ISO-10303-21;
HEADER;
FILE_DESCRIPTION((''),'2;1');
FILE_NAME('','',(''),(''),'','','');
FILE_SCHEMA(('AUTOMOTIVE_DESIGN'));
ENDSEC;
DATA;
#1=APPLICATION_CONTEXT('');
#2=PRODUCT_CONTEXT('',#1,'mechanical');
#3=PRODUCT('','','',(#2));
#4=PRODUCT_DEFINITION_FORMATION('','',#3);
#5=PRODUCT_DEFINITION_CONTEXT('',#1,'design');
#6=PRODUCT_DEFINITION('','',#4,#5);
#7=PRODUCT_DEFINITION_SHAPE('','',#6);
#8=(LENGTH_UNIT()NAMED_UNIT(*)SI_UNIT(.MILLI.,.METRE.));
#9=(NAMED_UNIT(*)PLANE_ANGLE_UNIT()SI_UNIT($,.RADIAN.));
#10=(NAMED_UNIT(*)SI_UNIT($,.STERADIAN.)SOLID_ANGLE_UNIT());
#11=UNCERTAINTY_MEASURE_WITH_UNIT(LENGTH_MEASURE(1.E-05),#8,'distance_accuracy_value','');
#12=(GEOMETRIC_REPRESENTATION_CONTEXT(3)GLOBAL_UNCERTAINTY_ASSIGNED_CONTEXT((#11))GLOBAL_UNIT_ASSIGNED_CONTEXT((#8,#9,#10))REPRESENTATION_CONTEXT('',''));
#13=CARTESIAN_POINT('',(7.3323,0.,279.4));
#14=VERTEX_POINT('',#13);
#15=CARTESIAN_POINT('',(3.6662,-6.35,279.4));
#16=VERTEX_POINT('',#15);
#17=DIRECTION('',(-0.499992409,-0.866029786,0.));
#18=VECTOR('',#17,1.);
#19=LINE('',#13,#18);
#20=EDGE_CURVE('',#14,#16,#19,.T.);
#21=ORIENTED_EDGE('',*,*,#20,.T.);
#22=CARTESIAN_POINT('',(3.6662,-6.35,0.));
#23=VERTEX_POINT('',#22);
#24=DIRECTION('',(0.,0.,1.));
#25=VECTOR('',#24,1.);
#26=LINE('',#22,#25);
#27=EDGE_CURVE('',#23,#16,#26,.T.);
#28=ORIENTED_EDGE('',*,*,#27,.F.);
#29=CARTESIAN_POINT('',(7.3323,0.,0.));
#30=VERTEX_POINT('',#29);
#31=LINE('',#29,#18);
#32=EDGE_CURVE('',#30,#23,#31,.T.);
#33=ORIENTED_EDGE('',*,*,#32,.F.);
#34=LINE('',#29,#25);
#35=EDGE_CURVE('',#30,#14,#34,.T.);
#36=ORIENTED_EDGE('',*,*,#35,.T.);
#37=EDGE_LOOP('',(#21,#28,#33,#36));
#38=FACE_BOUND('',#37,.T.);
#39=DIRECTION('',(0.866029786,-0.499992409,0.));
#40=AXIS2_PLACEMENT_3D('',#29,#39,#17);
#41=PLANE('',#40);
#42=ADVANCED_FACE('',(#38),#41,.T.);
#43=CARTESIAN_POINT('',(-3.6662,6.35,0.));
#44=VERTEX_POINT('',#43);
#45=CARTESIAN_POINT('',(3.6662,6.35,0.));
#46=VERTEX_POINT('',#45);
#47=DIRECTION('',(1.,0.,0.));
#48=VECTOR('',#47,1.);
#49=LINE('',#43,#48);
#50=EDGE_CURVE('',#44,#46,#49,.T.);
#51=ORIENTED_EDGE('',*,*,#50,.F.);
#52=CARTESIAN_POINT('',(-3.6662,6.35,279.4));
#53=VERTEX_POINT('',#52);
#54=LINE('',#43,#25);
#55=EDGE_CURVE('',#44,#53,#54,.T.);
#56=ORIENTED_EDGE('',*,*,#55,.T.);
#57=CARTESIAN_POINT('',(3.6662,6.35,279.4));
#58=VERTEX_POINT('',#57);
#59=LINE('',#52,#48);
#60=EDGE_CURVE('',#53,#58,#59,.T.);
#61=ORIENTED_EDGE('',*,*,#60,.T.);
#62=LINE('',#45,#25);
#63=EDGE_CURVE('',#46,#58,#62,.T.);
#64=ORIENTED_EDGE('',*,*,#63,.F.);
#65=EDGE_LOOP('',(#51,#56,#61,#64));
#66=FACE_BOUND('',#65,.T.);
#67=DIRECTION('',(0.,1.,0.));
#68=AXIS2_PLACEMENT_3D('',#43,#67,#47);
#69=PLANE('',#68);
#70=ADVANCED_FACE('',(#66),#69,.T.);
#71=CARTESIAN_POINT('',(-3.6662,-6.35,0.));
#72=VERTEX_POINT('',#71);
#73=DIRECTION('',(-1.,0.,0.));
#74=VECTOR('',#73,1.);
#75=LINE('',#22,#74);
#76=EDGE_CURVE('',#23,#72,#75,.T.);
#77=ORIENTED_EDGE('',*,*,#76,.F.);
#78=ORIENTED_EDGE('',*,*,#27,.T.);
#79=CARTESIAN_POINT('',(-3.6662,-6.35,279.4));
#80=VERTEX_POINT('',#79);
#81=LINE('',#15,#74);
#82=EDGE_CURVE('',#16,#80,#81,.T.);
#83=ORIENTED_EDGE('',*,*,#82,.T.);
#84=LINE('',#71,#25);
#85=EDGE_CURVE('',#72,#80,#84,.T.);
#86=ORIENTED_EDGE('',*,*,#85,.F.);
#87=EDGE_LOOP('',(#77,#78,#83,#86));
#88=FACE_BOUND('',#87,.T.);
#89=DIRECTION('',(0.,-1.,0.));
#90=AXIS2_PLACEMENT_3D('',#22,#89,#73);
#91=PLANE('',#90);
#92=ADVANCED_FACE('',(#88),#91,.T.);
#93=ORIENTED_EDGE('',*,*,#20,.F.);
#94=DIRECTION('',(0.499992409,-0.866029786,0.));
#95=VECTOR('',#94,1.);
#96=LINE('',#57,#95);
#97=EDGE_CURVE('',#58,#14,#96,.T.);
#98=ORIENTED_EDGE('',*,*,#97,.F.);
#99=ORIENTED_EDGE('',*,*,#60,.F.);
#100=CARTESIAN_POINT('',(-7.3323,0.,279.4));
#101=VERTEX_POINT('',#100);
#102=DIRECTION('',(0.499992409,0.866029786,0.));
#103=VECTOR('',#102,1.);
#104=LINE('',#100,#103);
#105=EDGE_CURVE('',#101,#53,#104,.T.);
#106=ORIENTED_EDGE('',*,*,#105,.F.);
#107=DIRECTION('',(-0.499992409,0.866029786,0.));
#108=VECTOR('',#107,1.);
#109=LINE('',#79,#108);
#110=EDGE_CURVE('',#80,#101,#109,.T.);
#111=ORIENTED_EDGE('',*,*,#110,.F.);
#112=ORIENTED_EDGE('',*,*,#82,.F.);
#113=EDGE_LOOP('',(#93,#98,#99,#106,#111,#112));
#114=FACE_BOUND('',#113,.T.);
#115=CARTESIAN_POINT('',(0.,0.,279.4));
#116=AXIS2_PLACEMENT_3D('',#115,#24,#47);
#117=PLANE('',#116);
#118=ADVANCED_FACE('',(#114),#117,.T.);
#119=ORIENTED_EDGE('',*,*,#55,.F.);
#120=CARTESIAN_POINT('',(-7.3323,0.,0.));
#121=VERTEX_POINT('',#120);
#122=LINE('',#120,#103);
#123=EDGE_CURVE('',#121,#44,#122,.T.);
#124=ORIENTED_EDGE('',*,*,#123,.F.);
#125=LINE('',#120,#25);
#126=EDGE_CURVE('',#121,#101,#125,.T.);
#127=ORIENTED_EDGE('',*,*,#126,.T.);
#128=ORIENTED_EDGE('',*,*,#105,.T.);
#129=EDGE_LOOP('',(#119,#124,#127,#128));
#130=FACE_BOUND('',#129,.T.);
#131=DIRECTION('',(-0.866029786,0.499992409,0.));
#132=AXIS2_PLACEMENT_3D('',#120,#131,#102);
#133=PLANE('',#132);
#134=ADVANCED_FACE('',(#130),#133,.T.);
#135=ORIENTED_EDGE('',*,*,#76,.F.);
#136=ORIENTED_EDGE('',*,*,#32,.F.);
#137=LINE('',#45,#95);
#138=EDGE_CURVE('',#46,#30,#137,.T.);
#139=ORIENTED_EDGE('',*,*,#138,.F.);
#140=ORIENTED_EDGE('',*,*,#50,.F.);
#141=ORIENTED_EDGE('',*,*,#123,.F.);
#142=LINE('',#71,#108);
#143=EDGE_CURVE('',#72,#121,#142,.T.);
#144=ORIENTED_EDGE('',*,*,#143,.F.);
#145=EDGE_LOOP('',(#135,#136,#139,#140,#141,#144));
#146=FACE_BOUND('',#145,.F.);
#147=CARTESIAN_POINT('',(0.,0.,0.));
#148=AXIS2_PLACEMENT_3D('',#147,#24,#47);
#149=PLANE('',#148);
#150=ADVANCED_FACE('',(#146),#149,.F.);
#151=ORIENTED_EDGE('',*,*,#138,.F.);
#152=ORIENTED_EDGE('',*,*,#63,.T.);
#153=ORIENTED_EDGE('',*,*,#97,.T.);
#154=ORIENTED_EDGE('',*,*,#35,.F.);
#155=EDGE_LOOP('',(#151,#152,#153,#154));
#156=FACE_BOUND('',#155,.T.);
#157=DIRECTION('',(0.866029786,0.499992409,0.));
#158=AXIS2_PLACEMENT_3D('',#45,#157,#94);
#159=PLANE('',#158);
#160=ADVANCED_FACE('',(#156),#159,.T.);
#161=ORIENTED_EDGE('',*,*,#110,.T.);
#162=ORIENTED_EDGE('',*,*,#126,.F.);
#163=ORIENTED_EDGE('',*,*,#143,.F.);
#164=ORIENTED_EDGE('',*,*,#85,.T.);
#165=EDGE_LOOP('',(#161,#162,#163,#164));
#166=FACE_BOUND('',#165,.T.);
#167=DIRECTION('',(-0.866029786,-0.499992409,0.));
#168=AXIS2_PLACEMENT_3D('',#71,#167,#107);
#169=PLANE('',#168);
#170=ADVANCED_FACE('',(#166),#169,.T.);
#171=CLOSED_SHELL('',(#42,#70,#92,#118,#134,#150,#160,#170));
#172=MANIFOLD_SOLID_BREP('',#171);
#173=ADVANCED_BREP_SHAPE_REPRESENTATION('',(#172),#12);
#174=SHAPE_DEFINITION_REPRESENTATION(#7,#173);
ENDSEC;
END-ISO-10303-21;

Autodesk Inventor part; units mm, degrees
ref_plane "YZ Plane" through (0, 0, 0) normal (1, 0, 0) x (0, 1, 0)
ref_plane "XZ Plane" through (0, 0, 0) normal (0, 1, 0) x (-1, 0, 0)
ref_plane "XY Plane" through (0, 0, 0) normal (0, 0, 1) x (1, 0, 0)
sketch "Sketch1" plane through (0, 0, 0) normal (0, 0, 1) x (1, 0, 0)
  line L0 (7.3323, 0) -> (3.6662, -6.35)
  line L1 (3.6662, -6.35) -> (-3.6662, -6.35)
  line L2 (-3.6662, -6.35) -> (-7.3323, 0)
  line L3 (-7.3323, 0) -> (-3.6662, 6.35)
  line L4 (-3.6662, 6.35) -> (3.6662, 6.35)
  line L5 (3.6662, 6.35) -> (7.3323, 0)
  point P0 (0, 0)
  point P1 (0, 0)
  dimension "d0" = 12.7
extrude "Extrusion1" add sketch "Sketch1" along normal blind 279.4
properties part number "Hex Shaft" material "Aluminum 6061"
